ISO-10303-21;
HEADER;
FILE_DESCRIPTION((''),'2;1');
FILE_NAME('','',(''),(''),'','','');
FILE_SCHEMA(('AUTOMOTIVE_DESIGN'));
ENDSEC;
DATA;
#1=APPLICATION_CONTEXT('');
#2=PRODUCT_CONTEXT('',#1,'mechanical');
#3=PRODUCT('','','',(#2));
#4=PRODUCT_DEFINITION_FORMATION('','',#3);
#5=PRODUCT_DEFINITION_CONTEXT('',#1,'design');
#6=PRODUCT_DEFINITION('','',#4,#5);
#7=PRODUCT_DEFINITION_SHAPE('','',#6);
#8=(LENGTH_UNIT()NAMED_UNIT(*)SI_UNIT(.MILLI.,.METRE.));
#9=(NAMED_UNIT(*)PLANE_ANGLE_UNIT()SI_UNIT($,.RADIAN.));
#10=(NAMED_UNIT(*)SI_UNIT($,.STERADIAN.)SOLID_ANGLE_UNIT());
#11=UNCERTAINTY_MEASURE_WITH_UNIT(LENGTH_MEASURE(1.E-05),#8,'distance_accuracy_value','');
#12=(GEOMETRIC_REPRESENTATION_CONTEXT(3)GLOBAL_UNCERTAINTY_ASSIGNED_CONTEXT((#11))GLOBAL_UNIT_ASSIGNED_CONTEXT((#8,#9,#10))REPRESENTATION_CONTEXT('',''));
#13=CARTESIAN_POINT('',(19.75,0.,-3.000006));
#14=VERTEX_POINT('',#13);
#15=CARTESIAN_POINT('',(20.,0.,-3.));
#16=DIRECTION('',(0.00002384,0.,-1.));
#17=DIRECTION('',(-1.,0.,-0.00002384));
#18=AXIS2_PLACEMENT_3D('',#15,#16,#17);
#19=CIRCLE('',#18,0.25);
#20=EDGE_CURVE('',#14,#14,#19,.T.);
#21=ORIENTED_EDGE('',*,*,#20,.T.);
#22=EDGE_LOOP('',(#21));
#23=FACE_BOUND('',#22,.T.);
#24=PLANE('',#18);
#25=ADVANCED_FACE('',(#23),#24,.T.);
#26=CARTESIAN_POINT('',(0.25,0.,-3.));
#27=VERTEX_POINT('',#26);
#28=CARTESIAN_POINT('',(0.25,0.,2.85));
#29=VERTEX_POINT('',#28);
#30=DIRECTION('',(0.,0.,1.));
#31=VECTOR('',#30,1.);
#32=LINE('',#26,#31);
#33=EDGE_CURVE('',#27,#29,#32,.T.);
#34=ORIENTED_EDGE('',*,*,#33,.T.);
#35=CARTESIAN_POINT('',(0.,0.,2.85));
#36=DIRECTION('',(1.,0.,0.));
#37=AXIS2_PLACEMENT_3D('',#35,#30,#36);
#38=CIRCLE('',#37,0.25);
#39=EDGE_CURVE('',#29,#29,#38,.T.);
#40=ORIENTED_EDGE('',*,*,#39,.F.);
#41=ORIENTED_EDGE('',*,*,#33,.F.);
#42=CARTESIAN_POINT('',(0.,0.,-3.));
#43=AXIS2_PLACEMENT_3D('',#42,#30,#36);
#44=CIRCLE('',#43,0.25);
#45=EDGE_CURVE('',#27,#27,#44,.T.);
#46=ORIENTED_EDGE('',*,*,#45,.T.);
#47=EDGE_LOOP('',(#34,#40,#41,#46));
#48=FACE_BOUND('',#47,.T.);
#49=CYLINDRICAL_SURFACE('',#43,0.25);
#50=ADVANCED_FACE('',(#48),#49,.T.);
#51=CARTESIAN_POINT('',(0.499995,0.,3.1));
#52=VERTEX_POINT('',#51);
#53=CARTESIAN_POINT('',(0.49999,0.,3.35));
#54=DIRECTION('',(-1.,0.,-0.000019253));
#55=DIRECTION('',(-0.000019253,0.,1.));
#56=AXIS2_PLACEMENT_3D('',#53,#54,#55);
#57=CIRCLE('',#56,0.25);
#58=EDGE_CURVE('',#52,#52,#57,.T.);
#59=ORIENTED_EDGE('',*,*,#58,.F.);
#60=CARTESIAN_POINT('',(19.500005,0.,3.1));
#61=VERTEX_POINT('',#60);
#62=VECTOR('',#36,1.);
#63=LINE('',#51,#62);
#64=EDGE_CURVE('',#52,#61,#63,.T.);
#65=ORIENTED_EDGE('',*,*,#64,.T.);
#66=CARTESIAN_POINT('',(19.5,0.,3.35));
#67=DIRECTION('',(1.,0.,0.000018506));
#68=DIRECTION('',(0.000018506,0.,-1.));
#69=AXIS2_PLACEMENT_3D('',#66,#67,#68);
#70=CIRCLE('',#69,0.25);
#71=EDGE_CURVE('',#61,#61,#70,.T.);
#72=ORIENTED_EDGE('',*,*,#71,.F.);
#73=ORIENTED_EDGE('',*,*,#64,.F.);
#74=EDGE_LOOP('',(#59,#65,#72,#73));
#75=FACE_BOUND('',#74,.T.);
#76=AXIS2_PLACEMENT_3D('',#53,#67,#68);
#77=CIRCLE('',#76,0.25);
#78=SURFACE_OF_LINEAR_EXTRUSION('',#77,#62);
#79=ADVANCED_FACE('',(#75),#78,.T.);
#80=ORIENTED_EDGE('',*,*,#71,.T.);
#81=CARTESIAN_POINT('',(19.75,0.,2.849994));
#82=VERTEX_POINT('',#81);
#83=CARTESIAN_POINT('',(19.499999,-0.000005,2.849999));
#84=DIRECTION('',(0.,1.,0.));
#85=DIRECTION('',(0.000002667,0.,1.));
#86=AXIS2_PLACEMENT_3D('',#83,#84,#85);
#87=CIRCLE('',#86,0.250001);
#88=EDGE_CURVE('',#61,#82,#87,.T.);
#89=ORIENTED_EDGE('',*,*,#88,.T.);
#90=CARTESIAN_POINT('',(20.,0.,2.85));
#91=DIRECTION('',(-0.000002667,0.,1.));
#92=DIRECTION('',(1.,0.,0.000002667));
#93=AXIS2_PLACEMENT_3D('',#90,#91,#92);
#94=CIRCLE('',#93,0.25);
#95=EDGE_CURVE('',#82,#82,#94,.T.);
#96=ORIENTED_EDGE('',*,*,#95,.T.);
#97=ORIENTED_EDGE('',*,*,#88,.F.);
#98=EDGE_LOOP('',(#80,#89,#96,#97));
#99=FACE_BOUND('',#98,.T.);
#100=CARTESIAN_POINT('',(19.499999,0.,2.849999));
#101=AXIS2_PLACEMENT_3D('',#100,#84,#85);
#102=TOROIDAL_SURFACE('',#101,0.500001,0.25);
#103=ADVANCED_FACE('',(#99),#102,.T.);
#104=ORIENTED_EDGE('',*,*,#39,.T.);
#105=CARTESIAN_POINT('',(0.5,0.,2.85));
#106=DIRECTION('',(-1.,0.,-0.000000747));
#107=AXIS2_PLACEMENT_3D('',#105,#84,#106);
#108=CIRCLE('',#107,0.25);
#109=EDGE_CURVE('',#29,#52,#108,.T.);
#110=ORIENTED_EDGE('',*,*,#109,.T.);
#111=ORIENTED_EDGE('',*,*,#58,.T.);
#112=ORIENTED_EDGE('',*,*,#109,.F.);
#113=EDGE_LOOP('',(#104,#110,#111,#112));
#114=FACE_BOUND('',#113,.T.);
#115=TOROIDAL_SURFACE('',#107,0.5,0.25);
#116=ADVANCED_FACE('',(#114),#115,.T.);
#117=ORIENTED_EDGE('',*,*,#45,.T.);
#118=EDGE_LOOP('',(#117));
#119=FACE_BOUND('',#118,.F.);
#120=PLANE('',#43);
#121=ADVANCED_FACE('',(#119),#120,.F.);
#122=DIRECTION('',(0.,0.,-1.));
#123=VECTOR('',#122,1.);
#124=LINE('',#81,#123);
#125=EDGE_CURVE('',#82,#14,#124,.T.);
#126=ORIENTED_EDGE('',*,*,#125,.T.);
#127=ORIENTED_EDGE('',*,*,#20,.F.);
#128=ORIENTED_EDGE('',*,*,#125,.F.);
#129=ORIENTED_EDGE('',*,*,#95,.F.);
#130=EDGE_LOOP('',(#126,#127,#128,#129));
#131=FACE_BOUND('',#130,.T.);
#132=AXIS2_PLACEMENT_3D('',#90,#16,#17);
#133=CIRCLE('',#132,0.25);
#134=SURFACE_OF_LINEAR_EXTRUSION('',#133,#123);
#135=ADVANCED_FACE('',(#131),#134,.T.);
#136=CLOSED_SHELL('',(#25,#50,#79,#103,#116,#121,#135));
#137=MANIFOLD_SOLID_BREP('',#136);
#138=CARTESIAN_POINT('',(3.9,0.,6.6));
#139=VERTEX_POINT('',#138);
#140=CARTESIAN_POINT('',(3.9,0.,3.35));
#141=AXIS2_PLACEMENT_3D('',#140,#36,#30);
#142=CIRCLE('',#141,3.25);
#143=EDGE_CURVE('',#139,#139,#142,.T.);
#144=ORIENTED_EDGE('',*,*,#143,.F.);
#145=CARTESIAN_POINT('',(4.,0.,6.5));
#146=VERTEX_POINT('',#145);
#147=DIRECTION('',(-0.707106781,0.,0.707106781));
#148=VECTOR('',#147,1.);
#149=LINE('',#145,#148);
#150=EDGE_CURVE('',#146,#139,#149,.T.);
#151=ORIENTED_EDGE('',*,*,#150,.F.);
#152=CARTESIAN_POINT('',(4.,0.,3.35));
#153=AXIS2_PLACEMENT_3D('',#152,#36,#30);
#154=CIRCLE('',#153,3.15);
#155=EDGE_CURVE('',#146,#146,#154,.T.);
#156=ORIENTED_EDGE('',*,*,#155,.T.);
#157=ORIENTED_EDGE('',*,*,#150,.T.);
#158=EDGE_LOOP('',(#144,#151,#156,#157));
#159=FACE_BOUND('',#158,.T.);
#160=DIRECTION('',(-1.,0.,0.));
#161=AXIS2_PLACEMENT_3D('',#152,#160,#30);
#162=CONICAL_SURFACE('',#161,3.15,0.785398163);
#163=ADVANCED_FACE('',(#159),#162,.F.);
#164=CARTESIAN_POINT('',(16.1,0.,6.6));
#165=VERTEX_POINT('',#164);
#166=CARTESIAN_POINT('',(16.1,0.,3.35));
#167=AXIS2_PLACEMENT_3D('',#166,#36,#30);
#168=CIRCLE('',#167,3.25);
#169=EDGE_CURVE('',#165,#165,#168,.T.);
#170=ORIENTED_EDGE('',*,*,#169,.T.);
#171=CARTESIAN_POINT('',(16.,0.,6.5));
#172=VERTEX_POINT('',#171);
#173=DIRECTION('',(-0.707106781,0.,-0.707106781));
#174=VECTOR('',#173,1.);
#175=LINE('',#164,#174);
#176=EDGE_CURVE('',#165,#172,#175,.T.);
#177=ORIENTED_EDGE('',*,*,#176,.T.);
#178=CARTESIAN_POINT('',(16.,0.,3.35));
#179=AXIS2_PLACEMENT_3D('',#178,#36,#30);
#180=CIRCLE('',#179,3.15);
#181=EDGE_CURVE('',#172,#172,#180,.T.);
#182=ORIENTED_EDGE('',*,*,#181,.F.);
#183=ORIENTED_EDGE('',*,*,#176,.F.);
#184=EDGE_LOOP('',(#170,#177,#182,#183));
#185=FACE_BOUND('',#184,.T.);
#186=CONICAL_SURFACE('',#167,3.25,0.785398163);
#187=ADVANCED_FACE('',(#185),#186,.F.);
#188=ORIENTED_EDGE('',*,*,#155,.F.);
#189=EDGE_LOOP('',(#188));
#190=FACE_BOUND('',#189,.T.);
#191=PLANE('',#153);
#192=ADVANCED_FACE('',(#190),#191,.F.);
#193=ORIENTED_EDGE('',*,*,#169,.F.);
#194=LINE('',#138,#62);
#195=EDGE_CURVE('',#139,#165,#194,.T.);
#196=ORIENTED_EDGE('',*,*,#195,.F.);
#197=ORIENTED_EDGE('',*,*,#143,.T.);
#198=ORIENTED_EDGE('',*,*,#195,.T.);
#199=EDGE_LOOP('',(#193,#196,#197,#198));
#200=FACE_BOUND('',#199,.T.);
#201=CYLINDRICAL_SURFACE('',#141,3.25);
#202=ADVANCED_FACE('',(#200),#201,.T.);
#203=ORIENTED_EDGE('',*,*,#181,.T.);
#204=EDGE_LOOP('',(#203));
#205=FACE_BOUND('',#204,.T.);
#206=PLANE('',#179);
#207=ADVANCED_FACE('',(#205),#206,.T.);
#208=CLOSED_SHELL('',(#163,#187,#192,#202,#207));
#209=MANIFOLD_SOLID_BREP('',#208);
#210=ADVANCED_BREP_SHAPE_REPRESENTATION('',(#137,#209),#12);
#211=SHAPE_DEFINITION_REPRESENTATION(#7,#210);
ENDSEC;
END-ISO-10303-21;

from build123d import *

# Parameters (mm, degrees)
SKETCH_R = 0.25


with BuildPart() as sweep_body:
    # Sweep: sweep along a path in Sketch001
    with BuildLine(Plane.XZ) as sweep_path:
        Line((0, -3), (0, 2.85))
        ThreePointArc((0, 2.85), (0.146443, 3.20355), (0.49999, 3.35))
        Line((0.49999, 3.35), (19.5, 3.35))
        ThreePointArc((19.5, 3.35), (19.853553, 3.203553), (20, 2.85))
        Line((20, 2.85), (20, -3))
    # Sketch → Sweep (sweep)
    with BuildSketch(Plane.XY.offset(-2)):
        Circle(SKETCH_R)
    sweep(path=sweep_path.line)


with BuildPart() as revolution:
    # Sketch002 → Revolution (revolve)
    with BuildSketch(Plane.XZ):
        Polygon((3.9, 6.6), (16.1, 6.6), (16, 6.5), (16, 3.35), (4, 3.35), (4, 6.5), align=None)
    revolve(axis=Axis((7.611803, 0, 3.35), (1, 0, 0)))


solid = Compound([sweep_body.part, revolution.part])
